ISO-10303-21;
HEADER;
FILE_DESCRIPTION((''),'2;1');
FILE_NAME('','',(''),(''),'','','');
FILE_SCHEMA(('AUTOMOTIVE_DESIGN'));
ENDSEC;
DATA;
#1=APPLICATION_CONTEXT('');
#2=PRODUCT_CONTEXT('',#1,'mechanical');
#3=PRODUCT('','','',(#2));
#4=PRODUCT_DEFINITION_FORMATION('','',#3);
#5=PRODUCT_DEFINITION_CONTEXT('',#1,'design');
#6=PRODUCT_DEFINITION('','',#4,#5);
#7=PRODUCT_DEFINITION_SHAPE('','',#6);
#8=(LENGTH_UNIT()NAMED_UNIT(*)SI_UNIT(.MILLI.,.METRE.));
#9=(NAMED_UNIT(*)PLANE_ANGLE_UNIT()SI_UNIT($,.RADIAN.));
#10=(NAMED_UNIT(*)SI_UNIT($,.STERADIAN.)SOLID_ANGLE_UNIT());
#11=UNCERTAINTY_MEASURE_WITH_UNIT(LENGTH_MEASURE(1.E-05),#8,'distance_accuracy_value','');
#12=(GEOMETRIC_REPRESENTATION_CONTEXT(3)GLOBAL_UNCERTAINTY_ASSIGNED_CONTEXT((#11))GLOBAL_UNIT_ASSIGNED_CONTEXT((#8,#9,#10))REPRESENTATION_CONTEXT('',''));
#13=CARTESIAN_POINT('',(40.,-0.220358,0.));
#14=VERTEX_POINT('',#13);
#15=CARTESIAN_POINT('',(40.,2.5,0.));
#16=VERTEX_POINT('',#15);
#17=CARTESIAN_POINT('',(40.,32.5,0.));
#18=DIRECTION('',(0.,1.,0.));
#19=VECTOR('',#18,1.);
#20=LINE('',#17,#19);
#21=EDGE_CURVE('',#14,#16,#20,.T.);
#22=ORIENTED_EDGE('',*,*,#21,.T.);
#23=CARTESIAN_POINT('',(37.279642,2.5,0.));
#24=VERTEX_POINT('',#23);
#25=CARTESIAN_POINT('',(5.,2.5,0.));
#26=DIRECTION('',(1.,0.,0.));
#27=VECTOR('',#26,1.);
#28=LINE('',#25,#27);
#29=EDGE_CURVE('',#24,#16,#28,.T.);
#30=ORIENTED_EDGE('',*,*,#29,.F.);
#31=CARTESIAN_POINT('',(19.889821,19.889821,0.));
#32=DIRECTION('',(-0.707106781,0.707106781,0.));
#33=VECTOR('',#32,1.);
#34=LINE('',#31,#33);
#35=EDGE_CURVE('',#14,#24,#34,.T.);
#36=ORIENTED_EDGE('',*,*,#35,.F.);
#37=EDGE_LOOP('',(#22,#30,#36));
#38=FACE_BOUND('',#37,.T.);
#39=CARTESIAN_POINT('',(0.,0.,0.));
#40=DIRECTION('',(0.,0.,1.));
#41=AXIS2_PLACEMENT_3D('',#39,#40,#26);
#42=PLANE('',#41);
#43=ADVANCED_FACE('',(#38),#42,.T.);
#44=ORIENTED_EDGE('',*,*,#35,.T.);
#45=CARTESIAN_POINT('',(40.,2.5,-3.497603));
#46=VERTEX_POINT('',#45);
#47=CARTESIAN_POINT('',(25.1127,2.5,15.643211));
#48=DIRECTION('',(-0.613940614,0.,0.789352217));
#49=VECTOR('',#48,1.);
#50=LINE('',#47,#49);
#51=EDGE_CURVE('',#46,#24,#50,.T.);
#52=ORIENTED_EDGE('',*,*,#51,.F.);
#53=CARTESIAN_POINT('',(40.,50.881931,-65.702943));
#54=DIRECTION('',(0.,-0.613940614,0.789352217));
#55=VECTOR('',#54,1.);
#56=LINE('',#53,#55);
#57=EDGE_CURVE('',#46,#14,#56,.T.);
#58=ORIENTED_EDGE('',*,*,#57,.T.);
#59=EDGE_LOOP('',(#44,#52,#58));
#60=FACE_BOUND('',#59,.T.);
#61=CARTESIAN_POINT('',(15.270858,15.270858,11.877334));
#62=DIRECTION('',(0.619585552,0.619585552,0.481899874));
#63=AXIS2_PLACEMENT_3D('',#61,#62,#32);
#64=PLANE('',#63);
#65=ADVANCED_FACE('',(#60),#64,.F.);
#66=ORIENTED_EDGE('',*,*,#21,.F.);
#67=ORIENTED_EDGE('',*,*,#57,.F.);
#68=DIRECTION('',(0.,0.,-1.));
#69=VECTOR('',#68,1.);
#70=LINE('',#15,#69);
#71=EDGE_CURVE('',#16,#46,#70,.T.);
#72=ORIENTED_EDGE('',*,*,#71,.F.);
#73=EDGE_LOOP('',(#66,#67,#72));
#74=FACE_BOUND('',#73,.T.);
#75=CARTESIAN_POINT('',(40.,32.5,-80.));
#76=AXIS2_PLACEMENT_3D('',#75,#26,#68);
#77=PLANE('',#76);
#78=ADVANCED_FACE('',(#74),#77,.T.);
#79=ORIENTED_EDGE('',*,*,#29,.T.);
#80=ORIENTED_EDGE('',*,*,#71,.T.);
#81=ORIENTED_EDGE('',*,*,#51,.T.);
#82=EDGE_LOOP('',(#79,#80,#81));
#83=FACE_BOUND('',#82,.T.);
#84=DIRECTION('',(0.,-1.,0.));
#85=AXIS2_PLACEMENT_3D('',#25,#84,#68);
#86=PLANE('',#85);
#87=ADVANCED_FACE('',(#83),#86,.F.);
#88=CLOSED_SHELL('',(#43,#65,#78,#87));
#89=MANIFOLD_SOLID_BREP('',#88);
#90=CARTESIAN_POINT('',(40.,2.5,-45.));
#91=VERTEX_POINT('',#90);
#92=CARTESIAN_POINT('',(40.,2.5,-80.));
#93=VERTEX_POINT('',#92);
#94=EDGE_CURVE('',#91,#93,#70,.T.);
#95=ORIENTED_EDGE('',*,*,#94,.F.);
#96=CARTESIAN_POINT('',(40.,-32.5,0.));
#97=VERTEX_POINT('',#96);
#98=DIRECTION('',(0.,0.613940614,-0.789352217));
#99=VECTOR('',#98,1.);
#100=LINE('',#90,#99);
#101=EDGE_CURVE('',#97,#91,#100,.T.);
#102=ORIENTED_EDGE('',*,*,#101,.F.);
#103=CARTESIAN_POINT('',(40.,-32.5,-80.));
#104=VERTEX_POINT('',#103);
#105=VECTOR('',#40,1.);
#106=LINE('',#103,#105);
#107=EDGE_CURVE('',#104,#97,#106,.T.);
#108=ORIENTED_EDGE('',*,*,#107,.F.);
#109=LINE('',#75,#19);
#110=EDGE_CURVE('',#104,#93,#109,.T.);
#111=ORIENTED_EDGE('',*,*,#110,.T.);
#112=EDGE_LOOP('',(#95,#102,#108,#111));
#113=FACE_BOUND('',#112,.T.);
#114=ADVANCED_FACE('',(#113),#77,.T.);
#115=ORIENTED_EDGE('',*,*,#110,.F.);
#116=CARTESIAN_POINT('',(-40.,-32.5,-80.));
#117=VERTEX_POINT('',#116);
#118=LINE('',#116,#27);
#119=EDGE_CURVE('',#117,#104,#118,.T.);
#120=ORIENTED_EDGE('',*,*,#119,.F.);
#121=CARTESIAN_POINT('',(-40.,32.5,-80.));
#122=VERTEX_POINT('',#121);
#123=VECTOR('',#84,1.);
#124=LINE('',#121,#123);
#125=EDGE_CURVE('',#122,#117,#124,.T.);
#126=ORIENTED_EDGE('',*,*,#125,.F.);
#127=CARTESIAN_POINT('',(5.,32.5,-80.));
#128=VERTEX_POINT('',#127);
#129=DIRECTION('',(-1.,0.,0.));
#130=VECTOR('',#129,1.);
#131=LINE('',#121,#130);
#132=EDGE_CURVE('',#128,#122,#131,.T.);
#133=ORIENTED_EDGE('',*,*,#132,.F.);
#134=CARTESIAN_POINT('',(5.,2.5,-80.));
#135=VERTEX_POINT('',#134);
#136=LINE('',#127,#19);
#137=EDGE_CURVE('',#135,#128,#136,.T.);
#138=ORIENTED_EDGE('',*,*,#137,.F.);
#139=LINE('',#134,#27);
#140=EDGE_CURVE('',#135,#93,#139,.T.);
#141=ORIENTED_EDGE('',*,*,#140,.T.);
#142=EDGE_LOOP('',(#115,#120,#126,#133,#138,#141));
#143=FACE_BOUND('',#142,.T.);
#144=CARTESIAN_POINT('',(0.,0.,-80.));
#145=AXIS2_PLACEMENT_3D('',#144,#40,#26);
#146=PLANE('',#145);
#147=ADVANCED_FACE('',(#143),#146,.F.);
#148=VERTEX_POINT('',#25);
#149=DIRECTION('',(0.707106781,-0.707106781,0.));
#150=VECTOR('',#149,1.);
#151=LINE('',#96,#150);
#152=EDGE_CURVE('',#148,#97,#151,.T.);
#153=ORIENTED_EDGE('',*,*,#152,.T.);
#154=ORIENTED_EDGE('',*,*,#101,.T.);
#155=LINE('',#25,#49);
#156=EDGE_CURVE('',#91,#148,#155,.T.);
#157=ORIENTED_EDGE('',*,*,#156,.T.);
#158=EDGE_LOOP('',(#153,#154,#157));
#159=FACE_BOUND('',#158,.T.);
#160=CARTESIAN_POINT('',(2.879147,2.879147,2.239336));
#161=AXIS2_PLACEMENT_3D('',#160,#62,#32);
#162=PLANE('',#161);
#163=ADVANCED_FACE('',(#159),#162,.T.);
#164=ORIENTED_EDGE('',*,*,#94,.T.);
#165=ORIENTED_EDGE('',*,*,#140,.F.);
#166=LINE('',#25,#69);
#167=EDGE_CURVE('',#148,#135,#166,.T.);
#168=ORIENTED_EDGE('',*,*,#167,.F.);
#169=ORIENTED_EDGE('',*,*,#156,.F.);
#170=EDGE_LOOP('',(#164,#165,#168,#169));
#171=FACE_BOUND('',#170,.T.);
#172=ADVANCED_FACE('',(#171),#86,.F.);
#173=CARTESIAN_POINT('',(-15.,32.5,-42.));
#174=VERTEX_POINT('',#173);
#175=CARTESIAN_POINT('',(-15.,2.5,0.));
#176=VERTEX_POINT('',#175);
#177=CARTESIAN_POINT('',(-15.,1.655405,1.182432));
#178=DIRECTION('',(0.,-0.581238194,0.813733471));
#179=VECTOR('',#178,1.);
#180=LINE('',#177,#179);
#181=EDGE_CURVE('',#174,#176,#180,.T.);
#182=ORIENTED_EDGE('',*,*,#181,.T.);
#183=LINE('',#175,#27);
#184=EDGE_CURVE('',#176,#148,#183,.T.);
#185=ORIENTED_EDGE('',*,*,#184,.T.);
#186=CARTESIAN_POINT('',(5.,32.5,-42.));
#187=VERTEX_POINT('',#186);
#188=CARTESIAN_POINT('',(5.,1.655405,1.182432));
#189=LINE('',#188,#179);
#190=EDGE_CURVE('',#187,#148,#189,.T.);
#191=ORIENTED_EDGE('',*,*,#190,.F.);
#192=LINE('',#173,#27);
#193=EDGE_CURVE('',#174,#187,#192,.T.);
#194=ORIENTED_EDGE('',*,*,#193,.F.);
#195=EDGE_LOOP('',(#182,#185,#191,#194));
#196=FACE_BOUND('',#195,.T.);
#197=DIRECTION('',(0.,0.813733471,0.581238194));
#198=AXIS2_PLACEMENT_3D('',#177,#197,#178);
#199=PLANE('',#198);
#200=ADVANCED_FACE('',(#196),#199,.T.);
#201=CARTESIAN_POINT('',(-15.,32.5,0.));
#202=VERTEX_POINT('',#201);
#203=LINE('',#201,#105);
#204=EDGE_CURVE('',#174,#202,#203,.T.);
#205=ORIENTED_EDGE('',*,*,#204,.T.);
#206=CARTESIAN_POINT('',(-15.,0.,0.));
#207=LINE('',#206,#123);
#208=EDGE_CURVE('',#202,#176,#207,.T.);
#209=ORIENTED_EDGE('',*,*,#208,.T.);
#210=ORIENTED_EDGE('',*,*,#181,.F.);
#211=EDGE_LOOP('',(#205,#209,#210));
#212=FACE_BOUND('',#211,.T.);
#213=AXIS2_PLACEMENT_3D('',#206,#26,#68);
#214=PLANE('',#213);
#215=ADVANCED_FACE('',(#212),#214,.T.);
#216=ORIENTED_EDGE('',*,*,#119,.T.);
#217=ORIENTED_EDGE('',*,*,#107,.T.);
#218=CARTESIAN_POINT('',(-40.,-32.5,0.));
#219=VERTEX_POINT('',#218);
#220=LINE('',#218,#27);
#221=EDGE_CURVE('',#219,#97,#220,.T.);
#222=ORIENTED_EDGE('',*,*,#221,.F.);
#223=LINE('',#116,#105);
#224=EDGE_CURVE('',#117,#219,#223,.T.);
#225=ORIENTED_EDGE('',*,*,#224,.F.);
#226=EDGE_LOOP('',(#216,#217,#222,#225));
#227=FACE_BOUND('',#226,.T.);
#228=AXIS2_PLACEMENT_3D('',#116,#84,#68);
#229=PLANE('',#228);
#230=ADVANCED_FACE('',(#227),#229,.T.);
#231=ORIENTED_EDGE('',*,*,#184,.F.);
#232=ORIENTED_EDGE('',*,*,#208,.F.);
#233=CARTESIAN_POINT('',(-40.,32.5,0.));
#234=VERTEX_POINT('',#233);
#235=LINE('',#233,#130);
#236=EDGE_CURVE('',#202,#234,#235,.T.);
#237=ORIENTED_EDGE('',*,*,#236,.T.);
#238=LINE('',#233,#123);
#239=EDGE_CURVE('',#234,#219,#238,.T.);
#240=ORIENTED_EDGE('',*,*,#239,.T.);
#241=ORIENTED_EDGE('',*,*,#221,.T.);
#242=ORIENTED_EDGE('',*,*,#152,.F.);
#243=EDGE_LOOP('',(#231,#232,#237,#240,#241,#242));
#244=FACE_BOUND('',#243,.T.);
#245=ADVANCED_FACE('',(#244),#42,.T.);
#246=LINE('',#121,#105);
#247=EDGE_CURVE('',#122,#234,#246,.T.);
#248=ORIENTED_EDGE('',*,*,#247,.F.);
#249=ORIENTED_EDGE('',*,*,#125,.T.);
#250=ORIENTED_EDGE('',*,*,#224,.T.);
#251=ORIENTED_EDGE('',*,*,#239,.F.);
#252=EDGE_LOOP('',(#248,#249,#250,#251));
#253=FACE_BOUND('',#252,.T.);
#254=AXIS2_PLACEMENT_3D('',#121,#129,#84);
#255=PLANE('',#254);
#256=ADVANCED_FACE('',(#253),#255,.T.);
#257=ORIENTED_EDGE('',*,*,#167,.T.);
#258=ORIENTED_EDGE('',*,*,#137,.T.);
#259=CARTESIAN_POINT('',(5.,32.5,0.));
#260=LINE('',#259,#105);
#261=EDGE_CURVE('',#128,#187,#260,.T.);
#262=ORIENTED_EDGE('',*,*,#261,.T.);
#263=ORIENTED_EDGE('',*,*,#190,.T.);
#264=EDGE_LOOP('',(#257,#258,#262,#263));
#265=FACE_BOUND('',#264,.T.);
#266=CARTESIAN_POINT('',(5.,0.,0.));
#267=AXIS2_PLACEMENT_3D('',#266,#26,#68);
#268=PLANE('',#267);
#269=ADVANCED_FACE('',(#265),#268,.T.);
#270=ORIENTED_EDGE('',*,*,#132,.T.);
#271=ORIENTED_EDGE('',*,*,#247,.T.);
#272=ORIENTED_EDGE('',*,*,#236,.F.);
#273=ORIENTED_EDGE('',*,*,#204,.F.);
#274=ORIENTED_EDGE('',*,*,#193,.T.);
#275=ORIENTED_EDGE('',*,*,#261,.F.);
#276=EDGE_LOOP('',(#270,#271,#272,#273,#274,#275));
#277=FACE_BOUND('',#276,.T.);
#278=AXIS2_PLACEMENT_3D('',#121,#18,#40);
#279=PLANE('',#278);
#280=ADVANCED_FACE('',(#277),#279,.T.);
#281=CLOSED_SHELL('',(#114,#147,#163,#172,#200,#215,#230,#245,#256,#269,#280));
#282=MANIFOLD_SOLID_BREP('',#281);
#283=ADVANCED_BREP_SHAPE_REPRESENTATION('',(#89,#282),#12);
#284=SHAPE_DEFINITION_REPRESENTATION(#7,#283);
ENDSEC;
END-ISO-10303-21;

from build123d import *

# Parameters (mm, degrees)
SKETCH1_W           = 80
SKETCH1_H           = 65
BOSS_EXTRUDE1_DEPTH = 80
SKETCH2_W           = 80
SKETCH2_H           = 30
CUT_EXTRUDE1_DEPTH  = 35
CUT_EXTRUDE2_DEPTH  = 20
CUT_EXTRUDE8_DEPTH  = 20


with BuildPart() as part:
    # Sketch1 → Boss-Extrude1 (new body)
    with BuildSketch(Plane.XY):
        Rectangle(SKETCH1_W, SKETCH1_H)
    extrude(amount=-BOSS_EXTRUDE1_DEPTH)

    # Sketch2 → Cut-Extrude1 (cut)
    with BuildSketch(Plane(origin=(40, 0, 0), x_dir=(0, 0, -1), z_dir=(1, 0, 0))):
        with Locations((40, 17.5)):
            Rectangle(SKETCH2_W, SKETCH2_H)
    extrude(amount=-CUT_EXTRUDE1_DEPTH, mode=Mode.SUBTRACT)

    # Sketch3 → Cut-Extrude2 (cut)
    with BuildSketch(Plane(origin=(5, 0, 0), x_dir=(0, 0, -1), z_dir=(1, 0, 0))):
        Polygon((42, 32.5), (0, 32.5), (0, 2.5), align=None)
    extrude(amount=-CUT_EXTRUDE2_DEPTH, mode=Mode.SUBTRACT)

    # Sketch6 → Cut-Extrude8 (cut)
    with BuildSketch(Plane(origin=(2.879146919, 2.879146919, 2.239336493), x_dir=(0.7849291331552356, -0.4890712291198004, -0.38038873375984483), z_dir=(0.6195855517393627, 0.6195855517393629, 0.4818998735750602))):
        Polygon((47.291980273, 37.055701316), (47.291980273, -19.953069939), (2.701967593, 1.534851534), align=None)
    extrude(amount=CUT_EXTRUDE8_DEPTH, mode=Mode.SUBTRACT)


with BuildPart() as cut_extrude8_piece_1:
    # of the separate pieces the step leaves, piece 1, a body of its own (cut_extrude8_pieces)
    add(part.part.solids().sort_by_distance((-40, 32.5, 0))[0])


with BuildPart() as cut_extrude8_piece_2:
    # of the separate pieces the step leaves, piece 2, a body of its own (cut_extrude8_pieces)
    add(part.part.solids().sort_by_distance((40, 2.5, 0))[0])


solid = Compound([cut_extrude8_piece_1.part, cut_extrude8_piece_2.part])
